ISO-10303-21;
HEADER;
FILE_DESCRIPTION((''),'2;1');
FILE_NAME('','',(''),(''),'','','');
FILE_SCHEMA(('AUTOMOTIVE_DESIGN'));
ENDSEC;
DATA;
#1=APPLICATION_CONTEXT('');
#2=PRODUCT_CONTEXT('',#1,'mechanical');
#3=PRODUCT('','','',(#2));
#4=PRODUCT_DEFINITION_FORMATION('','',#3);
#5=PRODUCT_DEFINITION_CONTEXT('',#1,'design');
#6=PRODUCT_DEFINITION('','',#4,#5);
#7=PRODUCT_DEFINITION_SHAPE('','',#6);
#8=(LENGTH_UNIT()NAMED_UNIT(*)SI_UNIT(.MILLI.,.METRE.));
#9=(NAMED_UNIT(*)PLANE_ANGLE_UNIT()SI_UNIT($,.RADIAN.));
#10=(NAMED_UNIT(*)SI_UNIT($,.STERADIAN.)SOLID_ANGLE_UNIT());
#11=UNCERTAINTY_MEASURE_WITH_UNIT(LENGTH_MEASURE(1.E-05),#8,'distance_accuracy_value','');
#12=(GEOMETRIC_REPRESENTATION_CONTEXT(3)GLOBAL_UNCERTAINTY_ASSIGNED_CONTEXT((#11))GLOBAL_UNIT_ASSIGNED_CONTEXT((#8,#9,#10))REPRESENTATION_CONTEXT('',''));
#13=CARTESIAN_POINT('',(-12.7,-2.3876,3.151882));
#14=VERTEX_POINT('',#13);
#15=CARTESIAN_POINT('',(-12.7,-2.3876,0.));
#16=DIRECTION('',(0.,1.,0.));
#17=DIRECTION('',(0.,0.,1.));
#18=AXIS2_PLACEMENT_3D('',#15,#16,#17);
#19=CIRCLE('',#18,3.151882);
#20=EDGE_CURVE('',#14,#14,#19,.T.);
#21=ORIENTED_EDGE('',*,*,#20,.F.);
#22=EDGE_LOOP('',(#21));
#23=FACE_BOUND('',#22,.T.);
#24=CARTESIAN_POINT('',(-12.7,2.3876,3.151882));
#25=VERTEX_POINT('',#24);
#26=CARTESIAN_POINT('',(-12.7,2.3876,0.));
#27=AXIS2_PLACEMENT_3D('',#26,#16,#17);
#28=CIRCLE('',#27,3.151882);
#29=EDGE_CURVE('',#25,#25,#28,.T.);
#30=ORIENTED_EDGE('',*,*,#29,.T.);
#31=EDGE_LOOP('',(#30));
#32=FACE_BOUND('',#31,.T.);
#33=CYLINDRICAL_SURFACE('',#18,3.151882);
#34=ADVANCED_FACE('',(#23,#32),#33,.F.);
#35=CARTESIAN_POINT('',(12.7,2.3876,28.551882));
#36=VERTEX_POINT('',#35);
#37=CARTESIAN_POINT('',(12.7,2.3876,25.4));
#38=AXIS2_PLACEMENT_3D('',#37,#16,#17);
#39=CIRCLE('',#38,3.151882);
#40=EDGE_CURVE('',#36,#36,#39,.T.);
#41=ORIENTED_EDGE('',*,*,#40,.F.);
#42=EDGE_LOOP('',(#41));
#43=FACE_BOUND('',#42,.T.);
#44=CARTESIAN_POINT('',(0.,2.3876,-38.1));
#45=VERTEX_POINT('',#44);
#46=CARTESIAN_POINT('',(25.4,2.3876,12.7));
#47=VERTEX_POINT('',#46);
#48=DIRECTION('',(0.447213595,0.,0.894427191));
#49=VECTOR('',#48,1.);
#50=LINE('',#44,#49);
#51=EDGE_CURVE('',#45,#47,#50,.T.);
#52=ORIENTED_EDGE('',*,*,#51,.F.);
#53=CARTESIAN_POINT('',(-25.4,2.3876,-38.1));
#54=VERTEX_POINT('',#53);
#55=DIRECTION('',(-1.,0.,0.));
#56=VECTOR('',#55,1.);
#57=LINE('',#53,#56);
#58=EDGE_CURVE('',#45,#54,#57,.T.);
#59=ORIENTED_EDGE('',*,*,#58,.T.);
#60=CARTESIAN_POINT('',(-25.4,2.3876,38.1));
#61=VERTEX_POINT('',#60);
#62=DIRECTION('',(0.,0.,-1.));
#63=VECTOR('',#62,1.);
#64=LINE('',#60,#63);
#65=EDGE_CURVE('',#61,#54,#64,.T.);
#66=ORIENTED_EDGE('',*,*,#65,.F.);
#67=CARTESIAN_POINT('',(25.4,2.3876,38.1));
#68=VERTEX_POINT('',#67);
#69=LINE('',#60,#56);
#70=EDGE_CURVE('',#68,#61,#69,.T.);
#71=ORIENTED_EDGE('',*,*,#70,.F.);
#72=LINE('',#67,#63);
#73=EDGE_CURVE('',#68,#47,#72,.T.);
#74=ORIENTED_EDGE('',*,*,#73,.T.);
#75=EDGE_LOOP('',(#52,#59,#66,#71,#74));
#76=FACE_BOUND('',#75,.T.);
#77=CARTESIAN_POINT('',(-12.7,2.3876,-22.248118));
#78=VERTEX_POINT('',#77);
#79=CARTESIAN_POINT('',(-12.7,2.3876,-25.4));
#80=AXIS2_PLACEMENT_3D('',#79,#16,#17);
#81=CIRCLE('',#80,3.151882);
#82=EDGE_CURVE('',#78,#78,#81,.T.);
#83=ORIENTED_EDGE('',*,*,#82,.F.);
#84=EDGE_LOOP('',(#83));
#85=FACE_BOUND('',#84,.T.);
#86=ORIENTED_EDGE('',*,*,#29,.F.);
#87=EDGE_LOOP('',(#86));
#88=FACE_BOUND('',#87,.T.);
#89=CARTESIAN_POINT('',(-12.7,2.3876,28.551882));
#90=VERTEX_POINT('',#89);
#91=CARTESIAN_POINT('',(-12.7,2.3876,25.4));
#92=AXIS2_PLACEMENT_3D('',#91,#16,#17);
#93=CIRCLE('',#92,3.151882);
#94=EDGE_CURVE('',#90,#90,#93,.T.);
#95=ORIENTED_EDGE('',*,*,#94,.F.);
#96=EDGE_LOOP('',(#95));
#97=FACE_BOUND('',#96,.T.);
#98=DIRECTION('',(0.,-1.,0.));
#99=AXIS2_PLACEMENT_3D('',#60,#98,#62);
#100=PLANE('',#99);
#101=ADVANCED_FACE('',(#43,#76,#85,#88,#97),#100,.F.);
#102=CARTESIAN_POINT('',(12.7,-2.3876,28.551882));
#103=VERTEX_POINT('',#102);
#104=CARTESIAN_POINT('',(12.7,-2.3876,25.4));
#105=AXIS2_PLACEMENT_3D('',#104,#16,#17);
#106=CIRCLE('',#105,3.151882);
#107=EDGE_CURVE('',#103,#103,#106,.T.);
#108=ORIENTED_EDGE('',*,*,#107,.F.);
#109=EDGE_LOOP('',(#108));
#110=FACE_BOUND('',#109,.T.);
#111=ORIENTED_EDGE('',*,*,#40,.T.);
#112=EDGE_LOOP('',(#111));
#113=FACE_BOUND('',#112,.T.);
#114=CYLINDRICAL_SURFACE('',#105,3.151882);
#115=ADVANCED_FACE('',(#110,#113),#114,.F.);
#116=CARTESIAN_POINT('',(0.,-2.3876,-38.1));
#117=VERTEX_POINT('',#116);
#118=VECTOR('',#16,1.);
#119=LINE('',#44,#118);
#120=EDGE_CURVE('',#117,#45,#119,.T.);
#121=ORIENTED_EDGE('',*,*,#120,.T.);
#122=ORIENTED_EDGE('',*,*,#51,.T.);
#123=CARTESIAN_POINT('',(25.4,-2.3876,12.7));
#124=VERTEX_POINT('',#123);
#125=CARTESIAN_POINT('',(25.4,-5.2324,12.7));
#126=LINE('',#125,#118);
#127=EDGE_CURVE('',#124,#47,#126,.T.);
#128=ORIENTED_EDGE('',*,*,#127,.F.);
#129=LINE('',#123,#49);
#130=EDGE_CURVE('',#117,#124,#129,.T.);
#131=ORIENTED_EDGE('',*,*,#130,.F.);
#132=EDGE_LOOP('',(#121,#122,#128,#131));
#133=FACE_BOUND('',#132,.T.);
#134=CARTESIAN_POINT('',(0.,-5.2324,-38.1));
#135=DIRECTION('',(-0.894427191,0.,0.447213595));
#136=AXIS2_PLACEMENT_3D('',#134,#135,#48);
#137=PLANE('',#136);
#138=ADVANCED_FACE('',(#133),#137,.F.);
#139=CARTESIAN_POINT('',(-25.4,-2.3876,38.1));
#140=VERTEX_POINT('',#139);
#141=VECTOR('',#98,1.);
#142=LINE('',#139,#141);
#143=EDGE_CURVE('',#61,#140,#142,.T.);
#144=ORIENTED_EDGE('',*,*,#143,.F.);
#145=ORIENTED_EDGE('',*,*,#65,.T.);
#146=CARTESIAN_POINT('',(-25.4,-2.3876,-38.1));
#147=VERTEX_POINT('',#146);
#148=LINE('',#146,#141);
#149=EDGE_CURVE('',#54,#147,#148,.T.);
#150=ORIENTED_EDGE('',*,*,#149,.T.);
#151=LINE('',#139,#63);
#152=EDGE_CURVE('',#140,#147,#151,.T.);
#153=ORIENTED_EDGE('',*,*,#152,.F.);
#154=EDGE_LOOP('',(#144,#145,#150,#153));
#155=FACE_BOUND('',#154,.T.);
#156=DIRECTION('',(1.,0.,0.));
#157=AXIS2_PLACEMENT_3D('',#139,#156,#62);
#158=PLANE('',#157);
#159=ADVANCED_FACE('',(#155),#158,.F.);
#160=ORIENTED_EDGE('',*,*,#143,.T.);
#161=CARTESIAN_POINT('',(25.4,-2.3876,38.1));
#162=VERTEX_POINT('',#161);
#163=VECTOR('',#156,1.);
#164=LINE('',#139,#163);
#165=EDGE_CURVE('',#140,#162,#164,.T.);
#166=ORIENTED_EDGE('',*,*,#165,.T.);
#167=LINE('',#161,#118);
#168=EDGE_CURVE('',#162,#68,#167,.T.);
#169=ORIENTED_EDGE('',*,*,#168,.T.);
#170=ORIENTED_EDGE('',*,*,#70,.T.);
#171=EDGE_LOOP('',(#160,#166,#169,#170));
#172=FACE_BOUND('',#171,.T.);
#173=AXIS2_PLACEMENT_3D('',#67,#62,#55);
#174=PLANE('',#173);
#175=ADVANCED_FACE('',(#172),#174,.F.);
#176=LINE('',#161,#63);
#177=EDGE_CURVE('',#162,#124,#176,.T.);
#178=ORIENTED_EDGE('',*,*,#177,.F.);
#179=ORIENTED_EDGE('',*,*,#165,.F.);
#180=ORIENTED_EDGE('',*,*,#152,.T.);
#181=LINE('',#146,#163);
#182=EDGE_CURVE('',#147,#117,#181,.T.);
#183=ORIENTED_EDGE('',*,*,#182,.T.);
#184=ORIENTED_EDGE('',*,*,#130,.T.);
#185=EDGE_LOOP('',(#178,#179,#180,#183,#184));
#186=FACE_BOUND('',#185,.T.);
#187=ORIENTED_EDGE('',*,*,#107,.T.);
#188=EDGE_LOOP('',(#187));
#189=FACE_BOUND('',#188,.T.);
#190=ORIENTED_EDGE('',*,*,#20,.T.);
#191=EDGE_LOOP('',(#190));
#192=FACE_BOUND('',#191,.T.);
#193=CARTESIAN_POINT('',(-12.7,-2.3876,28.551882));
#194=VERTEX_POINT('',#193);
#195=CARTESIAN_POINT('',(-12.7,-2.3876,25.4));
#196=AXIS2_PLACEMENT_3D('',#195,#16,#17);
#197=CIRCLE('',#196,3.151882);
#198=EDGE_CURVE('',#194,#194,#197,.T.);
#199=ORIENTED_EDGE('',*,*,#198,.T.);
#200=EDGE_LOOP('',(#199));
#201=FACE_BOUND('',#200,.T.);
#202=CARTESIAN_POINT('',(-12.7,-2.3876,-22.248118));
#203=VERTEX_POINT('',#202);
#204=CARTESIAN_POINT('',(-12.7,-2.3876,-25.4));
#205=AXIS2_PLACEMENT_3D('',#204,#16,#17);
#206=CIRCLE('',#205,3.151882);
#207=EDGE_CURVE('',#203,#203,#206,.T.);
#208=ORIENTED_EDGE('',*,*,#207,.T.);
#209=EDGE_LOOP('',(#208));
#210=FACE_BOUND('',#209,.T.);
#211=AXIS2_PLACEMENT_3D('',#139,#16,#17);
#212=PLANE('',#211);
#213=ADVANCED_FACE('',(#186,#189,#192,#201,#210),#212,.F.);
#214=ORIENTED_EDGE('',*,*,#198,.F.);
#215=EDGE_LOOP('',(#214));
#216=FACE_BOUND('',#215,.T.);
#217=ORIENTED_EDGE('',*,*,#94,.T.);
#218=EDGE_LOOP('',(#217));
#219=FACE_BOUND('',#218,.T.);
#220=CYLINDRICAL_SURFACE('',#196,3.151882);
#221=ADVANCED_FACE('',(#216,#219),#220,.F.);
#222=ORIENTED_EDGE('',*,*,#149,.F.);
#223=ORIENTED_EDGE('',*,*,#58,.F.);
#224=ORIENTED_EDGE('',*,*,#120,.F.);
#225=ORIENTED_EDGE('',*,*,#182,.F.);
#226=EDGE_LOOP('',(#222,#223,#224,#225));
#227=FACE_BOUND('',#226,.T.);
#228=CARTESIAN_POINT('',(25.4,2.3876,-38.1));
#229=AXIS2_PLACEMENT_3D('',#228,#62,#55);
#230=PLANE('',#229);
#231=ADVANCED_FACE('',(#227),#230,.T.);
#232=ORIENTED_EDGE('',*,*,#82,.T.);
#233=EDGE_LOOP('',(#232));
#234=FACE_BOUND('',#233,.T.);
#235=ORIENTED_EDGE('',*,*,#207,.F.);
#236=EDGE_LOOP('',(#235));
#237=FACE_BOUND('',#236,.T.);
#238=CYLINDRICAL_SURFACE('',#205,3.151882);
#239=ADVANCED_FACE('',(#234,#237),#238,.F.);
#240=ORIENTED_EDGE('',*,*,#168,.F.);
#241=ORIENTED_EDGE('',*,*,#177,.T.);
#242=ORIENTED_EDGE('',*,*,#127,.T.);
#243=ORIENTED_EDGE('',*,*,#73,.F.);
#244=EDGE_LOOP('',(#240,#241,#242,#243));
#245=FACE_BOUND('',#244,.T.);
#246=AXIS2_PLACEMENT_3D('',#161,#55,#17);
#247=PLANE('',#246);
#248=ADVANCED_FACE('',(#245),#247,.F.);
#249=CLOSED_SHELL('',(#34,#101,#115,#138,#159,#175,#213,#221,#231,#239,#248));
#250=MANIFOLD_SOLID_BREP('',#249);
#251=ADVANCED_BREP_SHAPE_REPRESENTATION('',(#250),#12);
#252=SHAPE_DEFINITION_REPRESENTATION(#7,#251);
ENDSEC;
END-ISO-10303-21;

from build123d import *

# Parameters (mm, degrees)
SKETCH1_W            = 50.8
SKETCH1_H            = 4.7752
BOSS_EXTRUDE1_DEPTH  = 38.1
CUT_EXTRUDE2_DEPTH   = 7.62
SKETCH9_R            = 3.151882158
CUT_EXTRUDE3_DEPTH   = 47.038815526
LPATTERN1_COUNT      = 3
LPATTERN1_PITCH      = 25.4
LPATTERN1_COUNT_DIR2 = 2
LPATTERN1_PITCH_DIR2 = 25.4


with BuildPart() as part:
    # Sketch1 → Boss-Extrude1 (new, symmetric)
    with BuildSketch(Plane.XY):
        Rectangle(SKETCH1_W, SKETCH1_H)
    extrude(amount=BOSS_EXTRUDE1_DEPTH, both=True)

    # Sketch8 → Cut-Extrude2 (cut)
    with BuildSketch(Plane(origin=(0, 2.3876, 0), x_dir=(-1, 0, 0), z_dir=(0, 1, 0))):
        Polygon((0, -38.1), (-25.4, 12.7), (-25.4, -38.1), align=None)
    extrude(amount=-CUT_EXTRUDE2_DEPTH, mode=Mode.SUBTRACT)

    # Sketch9 → Cut-Extrude3 (cut, through all)
    with BuildSketch(Plane(origin=(0, 2.3876, 0), x_dir=(1, 0, 0), z_dir=(0, 1, 0))):
        with Locations(Location((-12.7, 25.4, 0), (0, 0, 270))):
            Circle(SKETCH9_R)
    cut_extrude3 = extrude(amount=-CUT_EXTRUDE3_DEPTH, mode=Mode.SUBTRACT)

    # LPattern1: Cut-Extrude3 3 × 2, 2 skipped
    with Locations(*[(j * LPATTERN1_PITCH_DIR2, 0, i * LPATTERN1_PITCH) for i in range(LPATTERN1_COUNT) for j in range(LPATTERN1_COUNT_DIR2) if (i, j) not in ((0, 0), (0, 1), (1, 1))]):
        add(cut_extrude3, mode=Mode.SUBTRACT)


solid = part.part
